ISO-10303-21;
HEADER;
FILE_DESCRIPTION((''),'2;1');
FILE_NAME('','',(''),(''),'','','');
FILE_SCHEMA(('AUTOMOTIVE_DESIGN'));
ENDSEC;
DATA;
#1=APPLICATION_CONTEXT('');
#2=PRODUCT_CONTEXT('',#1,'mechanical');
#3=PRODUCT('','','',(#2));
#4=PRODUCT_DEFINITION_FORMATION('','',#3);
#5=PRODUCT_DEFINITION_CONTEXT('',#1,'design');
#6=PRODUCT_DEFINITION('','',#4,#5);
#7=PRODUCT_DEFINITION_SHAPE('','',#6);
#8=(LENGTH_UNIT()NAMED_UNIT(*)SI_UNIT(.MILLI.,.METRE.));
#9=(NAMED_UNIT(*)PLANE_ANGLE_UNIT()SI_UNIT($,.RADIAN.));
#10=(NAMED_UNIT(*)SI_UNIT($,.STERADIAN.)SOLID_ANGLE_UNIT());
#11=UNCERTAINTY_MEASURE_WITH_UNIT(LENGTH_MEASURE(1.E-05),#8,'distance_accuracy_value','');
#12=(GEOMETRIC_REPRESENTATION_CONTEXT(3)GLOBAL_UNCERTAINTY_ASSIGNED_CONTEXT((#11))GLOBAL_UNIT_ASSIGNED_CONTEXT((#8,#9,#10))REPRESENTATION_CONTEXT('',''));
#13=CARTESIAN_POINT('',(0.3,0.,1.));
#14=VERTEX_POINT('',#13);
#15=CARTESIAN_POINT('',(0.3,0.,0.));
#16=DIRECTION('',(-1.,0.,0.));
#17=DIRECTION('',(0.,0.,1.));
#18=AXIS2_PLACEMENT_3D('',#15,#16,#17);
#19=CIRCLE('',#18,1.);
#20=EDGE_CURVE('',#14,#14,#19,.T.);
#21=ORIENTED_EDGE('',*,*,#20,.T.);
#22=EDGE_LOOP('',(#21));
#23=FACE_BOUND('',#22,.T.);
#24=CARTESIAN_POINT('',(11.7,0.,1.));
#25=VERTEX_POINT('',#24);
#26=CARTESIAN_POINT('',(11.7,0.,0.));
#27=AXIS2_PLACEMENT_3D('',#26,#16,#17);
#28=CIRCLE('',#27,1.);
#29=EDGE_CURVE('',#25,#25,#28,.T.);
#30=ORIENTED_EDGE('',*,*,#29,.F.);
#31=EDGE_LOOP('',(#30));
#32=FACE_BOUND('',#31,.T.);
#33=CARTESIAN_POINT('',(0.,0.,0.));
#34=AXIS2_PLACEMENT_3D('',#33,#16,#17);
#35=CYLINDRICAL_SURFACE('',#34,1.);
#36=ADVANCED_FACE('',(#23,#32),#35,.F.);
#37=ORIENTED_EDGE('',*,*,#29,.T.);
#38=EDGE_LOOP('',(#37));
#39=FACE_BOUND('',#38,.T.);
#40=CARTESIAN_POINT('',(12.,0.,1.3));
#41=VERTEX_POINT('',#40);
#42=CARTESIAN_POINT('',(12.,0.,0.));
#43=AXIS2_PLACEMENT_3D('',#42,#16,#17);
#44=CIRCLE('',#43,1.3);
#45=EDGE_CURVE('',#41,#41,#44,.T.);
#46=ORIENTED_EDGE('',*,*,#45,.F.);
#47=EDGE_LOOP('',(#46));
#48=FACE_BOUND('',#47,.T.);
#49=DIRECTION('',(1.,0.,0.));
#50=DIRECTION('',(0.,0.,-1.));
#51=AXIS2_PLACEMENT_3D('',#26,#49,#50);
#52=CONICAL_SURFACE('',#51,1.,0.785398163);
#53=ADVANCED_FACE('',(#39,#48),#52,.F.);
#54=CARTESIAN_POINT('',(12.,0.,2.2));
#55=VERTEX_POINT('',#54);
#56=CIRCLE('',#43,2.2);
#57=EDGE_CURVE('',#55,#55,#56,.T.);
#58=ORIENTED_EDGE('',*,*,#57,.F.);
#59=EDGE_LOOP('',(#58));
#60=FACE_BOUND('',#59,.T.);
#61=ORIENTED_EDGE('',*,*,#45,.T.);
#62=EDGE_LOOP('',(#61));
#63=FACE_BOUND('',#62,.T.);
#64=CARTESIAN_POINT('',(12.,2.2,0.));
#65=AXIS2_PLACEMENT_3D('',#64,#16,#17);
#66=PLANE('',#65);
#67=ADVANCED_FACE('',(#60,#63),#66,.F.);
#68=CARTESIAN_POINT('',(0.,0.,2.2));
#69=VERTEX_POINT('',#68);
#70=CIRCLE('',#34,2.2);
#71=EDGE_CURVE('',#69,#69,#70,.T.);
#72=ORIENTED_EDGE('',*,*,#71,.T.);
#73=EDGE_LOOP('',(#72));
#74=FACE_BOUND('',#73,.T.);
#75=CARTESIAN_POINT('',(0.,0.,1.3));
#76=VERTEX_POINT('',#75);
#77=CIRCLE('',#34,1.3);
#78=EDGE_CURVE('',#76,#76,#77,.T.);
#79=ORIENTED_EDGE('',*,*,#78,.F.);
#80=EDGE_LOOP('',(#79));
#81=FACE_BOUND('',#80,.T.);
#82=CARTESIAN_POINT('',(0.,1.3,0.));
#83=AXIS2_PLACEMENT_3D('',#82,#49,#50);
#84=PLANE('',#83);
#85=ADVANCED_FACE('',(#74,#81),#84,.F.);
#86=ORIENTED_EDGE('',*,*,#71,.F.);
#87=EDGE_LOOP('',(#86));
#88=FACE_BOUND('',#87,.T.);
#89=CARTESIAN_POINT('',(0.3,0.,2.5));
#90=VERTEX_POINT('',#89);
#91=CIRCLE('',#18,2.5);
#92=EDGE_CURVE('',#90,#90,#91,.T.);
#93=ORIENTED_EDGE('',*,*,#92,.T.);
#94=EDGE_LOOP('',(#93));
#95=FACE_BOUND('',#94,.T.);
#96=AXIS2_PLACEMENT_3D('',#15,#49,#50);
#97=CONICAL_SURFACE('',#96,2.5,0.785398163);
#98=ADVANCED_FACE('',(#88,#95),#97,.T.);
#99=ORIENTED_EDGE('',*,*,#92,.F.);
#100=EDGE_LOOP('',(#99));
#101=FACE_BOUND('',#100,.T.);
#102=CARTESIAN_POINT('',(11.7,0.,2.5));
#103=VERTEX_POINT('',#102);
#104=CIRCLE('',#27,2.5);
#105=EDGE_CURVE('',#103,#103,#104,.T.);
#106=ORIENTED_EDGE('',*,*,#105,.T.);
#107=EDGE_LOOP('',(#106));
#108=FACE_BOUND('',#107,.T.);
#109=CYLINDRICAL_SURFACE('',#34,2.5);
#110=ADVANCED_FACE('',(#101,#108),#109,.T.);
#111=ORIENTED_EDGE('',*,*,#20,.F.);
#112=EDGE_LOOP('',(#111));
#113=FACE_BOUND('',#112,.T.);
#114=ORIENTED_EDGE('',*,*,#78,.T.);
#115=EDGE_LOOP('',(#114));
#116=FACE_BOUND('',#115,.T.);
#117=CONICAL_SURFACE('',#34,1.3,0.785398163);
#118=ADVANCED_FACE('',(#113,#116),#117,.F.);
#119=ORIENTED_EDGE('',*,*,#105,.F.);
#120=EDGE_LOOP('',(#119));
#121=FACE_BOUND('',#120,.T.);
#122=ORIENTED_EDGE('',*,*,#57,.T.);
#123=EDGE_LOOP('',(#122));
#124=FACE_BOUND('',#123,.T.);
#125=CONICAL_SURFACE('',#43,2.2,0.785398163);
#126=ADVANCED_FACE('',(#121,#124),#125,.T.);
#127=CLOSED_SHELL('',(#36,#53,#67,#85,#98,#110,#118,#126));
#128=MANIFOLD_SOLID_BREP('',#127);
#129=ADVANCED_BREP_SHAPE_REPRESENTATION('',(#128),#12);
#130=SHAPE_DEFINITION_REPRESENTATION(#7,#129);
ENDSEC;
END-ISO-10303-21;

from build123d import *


with BuildPart() as part:
    # Esquisse1 → Base-Révolution (revolve)
    with BuildSketch(Plane.XY, mode=Mode.PRIVATE) as base_r_volution_sk:
        Polygon((0, 1.3), (0, 2.2), (0.3, 2.5), (11.7, 2.5), (12, 2.2), (12, 1.3), (11.7, 1), (0.3, 1), align=None)
    revolve(base_r_volution_sk.sketch.rotate(Axis((0, 0, 0), (1, 0, 0)), 90), axis=Axis((0, 0, 0), (1, 0, 0)))  # turned: the seam where the file's is


solid = part.part
